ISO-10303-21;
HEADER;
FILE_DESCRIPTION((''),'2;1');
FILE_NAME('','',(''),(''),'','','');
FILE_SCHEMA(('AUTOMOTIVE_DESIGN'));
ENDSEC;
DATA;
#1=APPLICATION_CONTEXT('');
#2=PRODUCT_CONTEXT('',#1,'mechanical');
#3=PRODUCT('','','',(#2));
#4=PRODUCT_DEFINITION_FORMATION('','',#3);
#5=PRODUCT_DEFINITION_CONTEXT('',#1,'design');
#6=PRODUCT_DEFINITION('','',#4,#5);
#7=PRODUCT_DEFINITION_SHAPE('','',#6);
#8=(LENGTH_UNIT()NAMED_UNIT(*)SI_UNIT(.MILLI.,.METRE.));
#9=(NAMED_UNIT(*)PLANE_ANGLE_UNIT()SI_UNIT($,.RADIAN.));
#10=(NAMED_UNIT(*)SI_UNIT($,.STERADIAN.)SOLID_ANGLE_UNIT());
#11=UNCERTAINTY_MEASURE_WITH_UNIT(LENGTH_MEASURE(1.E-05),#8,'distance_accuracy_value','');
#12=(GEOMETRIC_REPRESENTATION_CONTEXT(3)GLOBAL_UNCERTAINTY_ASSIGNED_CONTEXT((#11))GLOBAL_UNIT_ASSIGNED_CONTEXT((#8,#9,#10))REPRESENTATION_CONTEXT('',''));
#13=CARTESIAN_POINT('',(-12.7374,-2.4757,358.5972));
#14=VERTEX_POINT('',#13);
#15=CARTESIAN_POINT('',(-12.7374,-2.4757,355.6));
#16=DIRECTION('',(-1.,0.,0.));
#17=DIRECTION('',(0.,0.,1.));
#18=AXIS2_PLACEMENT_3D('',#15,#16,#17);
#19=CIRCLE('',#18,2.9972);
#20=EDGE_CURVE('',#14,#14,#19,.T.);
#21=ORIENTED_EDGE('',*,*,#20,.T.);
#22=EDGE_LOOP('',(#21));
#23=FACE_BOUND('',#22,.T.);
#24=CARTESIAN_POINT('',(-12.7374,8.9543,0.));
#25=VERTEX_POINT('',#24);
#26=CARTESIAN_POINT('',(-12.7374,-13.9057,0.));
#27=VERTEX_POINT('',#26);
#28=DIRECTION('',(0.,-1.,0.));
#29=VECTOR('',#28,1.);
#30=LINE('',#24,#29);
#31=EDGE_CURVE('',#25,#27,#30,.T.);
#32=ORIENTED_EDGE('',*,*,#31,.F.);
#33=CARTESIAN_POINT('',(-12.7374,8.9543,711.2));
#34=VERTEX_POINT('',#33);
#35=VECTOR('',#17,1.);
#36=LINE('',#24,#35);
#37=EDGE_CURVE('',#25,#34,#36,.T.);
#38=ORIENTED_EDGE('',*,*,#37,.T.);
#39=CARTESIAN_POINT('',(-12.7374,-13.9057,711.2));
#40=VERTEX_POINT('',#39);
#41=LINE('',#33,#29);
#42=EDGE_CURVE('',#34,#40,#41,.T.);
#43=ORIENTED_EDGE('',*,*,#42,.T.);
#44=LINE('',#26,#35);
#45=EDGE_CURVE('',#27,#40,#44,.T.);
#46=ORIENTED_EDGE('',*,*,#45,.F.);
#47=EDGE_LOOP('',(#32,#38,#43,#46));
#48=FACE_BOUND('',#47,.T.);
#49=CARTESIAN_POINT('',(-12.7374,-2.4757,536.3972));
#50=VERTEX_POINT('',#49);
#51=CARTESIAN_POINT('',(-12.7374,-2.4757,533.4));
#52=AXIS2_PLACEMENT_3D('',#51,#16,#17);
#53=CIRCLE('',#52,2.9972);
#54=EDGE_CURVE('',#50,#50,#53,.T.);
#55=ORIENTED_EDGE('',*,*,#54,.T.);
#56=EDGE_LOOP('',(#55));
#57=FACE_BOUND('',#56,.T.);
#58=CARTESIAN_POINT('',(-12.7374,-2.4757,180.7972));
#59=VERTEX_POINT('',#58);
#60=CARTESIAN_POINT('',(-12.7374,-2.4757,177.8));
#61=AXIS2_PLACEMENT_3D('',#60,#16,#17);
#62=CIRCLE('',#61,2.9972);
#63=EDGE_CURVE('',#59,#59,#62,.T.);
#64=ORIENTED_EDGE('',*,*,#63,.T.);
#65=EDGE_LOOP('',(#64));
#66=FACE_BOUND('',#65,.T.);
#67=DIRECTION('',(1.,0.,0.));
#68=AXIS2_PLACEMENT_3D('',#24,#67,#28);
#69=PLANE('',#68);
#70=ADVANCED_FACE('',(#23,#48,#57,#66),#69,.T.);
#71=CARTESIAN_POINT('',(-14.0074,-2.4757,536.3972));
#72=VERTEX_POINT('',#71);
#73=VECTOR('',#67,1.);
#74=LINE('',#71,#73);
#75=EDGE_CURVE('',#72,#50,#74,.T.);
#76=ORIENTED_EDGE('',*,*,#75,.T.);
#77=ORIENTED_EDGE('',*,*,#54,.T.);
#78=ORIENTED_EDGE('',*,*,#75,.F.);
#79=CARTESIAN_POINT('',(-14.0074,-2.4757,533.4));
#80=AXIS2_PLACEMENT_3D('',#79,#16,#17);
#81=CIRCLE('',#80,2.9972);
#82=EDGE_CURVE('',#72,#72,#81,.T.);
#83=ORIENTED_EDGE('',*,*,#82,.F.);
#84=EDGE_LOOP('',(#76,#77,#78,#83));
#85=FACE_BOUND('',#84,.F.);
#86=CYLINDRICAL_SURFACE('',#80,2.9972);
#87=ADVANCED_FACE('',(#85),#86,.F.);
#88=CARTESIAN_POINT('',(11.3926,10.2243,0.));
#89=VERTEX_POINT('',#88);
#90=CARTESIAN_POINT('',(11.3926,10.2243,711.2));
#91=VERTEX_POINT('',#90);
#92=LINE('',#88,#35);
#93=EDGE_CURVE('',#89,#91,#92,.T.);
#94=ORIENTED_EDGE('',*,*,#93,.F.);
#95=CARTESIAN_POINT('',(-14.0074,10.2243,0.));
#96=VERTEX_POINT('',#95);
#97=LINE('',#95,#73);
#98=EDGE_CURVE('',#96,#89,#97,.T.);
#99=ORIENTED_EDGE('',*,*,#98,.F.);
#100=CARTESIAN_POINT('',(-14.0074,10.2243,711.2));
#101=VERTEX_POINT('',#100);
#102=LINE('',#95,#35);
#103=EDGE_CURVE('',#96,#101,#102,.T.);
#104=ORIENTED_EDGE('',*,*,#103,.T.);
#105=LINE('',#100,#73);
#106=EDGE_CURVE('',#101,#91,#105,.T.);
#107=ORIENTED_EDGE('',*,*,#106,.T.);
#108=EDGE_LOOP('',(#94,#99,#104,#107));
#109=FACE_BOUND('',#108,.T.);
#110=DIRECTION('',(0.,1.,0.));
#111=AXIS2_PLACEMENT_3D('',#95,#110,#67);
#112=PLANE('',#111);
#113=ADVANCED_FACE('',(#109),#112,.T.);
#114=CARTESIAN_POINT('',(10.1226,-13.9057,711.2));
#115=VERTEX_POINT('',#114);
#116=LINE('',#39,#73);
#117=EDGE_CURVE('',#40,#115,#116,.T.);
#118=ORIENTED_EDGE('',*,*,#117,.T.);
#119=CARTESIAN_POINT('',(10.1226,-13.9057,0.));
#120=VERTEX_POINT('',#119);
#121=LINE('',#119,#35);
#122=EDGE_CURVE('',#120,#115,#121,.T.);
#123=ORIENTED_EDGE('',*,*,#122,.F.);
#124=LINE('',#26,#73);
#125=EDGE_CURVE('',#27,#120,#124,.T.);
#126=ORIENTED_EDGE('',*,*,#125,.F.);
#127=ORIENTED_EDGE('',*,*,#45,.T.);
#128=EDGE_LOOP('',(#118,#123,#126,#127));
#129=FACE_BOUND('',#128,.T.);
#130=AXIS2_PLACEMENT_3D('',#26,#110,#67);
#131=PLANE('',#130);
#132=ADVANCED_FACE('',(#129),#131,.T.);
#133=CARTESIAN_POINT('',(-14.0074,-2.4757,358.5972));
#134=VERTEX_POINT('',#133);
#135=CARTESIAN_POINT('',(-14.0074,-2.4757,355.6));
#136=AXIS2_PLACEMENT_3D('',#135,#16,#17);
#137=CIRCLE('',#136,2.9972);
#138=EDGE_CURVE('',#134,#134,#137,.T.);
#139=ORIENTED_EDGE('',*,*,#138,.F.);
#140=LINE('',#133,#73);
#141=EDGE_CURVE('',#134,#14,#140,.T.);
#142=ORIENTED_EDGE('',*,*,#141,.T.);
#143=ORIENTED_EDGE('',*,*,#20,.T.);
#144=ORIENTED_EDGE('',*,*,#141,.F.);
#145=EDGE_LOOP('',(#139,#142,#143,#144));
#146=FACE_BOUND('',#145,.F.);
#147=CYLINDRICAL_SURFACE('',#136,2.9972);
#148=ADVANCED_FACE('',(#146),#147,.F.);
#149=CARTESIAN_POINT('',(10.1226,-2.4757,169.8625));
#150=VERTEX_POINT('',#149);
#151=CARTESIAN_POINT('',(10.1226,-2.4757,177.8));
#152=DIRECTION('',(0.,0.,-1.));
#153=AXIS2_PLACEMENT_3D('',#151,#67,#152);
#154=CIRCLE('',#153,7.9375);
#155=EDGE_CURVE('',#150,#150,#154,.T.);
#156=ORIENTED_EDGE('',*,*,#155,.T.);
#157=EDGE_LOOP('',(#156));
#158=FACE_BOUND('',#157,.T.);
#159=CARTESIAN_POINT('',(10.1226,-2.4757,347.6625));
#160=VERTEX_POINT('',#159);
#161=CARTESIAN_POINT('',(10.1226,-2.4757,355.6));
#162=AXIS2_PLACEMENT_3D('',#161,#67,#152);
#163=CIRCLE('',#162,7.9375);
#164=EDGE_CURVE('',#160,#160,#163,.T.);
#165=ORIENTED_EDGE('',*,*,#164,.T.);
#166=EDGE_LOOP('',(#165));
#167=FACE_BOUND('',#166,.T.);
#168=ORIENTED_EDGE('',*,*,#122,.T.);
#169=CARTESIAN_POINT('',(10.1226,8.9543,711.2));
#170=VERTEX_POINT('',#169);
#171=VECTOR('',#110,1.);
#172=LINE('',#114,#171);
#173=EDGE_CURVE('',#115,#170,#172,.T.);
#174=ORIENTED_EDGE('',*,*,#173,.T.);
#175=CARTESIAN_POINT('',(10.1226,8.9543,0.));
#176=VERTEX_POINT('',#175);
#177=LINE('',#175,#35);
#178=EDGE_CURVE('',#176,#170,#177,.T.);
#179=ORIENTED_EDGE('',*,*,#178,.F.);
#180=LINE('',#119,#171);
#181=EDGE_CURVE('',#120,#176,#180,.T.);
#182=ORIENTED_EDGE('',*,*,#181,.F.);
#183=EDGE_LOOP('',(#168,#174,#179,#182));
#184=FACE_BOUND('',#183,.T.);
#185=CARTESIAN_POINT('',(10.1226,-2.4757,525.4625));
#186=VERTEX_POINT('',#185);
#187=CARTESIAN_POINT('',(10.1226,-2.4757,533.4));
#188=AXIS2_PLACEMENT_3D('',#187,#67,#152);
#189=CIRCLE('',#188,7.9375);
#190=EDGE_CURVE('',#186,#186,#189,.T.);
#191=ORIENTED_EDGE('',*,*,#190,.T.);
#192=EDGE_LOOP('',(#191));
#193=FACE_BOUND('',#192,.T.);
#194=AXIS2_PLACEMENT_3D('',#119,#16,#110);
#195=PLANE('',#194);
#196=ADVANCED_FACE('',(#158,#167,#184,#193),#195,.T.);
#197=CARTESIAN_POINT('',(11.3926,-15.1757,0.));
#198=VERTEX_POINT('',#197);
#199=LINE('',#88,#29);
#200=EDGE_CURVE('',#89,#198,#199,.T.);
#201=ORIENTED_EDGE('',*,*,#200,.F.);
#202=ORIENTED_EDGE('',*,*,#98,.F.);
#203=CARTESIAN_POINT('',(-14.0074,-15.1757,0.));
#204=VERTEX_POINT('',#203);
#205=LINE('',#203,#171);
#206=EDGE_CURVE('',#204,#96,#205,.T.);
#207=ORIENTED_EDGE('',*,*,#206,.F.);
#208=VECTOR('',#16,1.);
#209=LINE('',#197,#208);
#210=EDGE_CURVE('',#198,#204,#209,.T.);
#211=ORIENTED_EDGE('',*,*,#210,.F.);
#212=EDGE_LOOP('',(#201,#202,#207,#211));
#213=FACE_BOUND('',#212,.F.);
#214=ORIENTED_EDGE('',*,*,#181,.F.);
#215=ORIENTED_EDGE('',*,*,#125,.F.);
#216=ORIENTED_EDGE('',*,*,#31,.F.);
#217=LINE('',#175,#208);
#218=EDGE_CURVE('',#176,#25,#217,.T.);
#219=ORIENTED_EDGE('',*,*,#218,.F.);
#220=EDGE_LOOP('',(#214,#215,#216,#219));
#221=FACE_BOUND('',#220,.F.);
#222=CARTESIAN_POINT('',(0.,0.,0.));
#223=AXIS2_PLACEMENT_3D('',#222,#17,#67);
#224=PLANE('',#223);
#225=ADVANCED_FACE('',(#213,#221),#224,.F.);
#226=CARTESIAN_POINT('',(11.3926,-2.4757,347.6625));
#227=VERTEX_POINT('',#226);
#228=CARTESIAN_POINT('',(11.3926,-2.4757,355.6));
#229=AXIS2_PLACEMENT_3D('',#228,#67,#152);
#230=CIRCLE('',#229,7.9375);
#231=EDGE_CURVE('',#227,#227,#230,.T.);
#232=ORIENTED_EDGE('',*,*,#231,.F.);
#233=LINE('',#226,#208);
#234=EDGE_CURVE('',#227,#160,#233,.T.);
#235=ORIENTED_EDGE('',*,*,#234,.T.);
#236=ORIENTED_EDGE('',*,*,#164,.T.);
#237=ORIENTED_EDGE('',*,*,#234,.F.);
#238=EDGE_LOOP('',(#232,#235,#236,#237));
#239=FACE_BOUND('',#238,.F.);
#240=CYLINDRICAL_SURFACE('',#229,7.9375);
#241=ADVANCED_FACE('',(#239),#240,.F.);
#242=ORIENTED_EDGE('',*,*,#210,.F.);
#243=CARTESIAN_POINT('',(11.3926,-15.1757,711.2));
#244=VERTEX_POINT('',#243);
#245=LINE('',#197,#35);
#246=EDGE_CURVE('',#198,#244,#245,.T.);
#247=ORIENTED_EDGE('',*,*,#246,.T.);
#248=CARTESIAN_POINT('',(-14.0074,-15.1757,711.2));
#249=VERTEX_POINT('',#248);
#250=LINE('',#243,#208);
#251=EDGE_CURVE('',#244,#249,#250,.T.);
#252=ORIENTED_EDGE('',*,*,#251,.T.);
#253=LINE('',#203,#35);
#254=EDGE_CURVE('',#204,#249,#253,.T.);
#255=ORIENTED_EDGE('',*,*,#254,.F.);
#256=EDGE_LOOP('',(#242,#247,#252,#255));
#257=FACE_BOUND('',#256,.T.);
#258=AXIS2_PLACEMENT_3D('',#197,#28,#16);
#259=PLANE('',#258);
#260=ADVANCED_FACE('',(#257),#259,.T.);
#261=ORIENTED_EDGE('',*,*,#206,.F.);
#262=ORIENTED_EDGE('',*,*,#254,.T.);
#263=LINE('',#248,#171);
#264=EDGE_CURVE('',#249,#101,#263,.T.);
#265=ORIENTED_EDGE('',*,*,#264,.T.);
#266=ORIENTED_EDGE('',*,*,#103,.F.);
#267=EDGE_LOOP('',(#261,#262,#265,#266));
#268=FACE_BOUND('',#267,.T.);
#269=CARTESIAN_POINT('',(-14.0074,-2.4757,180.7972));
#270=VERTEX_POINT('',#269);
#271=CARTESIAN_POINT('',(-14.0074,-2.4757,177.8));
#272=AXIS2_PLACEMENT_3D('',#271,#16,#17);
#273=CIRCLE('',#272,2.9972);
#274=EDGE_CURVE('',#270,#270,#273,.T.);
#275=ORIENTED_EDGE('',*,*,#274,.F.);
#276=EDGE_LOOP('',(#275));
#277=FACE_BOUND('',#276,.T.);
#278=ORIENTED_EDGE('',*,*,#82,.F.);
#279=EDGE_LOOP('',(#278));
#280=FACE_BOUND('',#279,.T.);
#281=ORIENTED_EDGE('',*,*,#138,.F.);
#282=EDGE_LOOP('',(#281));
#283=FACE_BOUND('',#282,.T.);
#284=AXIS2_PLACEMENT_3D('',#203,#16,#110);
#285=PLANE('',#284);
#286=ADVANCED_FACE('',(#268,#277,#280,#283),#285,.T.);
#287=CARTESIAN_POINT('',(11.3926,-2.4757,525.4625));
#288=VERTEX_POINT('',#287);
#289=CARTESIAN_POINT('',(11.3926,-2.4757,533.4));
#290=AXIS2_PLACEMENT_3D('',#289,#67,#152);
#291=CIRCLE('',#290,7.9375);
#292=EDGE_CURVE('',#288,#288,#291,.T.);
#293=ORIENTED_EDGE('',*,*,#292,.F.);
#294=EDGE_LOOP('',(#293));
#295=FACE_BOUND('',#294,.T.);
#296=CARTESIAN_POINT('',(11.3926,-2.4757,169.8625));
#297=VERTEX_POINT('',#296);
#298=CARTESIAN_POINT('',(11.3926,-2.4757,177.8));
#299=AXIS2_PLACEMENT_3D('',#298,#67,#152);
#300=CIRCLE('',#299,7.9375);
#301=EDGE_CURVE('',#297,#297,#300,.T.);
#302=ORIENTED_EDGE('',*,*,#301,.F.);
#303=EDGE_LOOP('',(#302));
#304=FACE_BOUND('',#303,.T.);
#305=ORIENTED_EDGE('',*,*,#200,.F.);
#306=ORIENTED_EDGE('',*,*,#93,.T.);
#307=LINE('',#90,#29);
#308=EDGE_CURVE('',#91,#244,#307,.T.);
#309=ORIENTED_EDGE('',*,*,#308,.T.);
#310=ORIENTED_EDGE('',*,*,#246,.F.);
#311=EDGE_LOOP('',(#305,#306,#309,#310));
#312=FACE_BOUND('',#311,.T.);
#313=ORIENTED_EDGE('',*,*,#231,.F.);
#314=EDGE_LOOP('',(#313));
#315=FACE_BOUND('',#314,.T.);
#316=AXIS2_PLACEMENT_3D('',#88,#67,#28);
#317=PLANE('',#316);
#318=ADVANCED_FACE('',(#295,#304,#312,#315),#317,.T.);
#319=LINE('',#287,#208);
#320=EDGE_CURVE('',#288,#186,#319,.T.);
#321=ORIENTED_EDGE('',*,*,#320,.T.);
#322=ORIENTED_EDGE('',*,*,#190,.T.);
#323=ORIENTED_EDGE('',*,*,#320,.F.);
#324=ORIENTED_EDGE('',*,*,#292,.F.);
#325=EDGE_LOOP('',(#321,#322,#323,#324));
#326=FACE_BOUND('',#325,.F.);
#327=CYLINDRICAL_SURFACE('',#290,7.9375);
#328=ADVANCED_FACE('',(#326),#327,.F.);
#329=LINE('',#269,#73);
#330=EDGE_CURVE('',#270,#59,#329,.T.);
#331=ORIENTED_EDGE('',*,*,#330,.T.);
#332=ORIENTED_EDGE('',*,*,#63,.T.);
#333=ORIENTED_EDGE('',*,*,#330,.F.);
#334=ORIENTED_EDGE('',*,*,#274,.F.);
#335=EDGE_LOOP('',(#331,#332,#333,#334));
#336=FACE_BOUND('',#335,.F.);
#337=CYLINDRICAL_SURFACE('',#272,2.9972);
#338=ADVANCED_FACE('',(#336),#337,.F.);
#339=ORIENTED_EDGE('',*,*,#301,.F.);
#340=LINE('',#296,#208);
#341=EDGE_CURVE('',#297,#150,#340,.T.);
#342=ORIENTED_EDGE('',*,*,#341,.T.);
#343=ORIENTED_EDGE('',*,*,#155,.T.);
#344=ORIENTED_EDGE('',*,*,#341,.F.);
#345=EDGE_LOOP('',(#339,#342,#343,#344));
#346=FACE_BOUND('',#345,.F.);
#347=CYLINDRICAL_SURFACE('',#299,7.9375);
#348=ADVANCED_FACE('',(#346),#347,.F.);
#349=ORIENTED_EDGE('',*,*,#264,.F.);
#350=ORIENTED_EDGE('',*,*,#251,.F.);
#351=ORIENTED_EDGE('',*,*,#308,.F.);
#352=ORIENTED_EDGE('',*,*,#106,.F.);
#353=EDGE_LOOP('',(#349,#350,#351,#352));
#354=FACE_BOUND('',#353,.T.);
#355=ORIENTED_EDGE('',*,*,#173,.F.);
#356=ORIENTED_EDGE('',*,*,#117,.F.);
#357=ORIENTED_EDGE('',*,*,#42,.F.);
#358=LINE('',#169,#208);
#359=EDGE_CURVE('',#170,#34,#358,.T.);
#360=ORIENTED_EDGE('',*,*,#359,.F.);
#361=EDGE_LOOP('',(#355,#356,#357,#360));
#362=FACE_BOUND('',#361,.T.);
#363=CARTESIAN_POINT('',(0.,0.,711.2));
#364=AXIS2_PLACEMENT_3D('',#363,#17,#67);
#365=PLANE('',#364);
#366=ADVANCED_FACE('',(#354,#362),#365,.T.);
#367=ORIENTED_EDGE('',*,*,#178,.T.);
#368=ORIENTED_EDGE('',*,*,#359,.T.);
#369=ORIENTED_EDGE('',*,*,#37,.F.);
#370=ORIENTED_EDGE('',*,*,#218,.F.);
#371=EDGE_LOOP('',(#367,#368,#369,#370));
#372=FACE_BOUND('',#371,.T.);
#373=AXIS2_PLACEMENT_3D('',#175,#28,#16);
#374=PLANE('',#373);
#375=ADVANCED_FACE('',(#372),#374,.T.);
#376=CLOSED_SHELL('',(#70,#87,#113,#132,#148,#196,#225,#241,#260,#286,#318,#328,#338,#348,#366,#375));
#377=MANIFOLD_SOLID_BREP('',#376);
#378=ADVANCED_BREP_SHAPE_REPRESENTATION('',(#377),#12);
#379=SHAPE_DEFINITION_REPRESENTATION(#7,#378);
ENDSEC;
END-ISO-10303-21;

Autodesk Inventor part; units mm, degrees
ref_plane "YZ Plane" through (0, 0, 0) normal (1, 0, 0) x (0, 1, 0)
ref_plane "XZ Plane" through (0, 0, 0) normal (0, 1, 0) x (-1, 0, 0)
ref_plane "XY Plane" through (0, 0, 0) normal (0, 0, 1) x (1, 0, 0)
sketch "Sketch1" plane through (0, 0, 0) normal (0, 0, 1) x (1, 0, 0)
  line L0 (-14.0074, 10.2243) -> (11.3926, 10.2243)
  line L1 (11.3926, 10.2243) -> (11.3926, -15.1757)
  line L2 (11.3926, -15.1757) -> (-14.0074, -15.1757)
  line L3 (-14.0074, -15.1757) -> (-14.0074, 10.2243)
  line L4 (10.1226, 8.9543) -> (-12.7374, 8.9543)
  line L5 (-12.7374, 8.9543) -> (-12.7374, -13.9057)
  line L6 (-12.7374, -13.9057) -> (10.1226, -13.9057)
  line L7 (10.1226, -13.9057) -> (10.1226, 8.9543)
  point P0 (0, 0)
  dimension "d0" = 25.4
  dimension "d1" = 1.27
extrude "Extrusion1" add sketch "Sketch1" along normal blind 711.2
sketch "Sketch2" plane through (11.3926, -15.1757, 0) normal (1, 0, 0) x (0, 0, -1)
  circle A0 centre (-355.6, 12.7) radius 7.9375
  line L0 (-711.2, 1.27) -> (-711.2, 24.13) projected
  line L1 (-711.2, 12.7) -> (0, 12.7) construction
  line L2 (0, 25.4) -> (0, 0) projected
  circle A1 centre (-533.4, 12.7) radius 7.9375
  circle A2 centre (-177.8, 12.7) radius 7.9375
  point P0 (0, 15.1757)
  dimension "d5" = 15.875
  dimension "d6" = 177.8
  dimension "d7" = 177.8
  dimension "d8" = 355.6
extrude "Extrusion2" cut sketch "Sketch2" against normal blind 2.54
sketch "Sketch3" plane through (-14.0074, -15.1757, 0) normal (-1, 0, 0) x (0, 0, 1)
  circle A0 centre (177.8, 12.7) radius 7.9375 construction
  circle A1 centre (355.6, 12.7) radius 7.9375 construction
  circle A2 centre (533.4, 12.7) radius 7.9375 construction
  circle A3 centre (177.8, 12.7) radius 2.9972
  circle A4 centre (355.6, 12.7) radius 2.9972
  circle A5 centre (533.4, 12.7) radius 2.9972
  point P0 (0, 15.1757)
  dimension "d11" = 5.9944
extrude "Extrusion3" cut sketch "Sketch3" against normal blind 2.54
equation "\"d6\" = d4"
equation "\"d7\" = d4"
equation "\"d8\" = 0.5 * d2"
equation "\"d4\" = 177.8"
equation "\"d2\" = 711.2"
properties part number "1x1 28in WChurro Holes"
